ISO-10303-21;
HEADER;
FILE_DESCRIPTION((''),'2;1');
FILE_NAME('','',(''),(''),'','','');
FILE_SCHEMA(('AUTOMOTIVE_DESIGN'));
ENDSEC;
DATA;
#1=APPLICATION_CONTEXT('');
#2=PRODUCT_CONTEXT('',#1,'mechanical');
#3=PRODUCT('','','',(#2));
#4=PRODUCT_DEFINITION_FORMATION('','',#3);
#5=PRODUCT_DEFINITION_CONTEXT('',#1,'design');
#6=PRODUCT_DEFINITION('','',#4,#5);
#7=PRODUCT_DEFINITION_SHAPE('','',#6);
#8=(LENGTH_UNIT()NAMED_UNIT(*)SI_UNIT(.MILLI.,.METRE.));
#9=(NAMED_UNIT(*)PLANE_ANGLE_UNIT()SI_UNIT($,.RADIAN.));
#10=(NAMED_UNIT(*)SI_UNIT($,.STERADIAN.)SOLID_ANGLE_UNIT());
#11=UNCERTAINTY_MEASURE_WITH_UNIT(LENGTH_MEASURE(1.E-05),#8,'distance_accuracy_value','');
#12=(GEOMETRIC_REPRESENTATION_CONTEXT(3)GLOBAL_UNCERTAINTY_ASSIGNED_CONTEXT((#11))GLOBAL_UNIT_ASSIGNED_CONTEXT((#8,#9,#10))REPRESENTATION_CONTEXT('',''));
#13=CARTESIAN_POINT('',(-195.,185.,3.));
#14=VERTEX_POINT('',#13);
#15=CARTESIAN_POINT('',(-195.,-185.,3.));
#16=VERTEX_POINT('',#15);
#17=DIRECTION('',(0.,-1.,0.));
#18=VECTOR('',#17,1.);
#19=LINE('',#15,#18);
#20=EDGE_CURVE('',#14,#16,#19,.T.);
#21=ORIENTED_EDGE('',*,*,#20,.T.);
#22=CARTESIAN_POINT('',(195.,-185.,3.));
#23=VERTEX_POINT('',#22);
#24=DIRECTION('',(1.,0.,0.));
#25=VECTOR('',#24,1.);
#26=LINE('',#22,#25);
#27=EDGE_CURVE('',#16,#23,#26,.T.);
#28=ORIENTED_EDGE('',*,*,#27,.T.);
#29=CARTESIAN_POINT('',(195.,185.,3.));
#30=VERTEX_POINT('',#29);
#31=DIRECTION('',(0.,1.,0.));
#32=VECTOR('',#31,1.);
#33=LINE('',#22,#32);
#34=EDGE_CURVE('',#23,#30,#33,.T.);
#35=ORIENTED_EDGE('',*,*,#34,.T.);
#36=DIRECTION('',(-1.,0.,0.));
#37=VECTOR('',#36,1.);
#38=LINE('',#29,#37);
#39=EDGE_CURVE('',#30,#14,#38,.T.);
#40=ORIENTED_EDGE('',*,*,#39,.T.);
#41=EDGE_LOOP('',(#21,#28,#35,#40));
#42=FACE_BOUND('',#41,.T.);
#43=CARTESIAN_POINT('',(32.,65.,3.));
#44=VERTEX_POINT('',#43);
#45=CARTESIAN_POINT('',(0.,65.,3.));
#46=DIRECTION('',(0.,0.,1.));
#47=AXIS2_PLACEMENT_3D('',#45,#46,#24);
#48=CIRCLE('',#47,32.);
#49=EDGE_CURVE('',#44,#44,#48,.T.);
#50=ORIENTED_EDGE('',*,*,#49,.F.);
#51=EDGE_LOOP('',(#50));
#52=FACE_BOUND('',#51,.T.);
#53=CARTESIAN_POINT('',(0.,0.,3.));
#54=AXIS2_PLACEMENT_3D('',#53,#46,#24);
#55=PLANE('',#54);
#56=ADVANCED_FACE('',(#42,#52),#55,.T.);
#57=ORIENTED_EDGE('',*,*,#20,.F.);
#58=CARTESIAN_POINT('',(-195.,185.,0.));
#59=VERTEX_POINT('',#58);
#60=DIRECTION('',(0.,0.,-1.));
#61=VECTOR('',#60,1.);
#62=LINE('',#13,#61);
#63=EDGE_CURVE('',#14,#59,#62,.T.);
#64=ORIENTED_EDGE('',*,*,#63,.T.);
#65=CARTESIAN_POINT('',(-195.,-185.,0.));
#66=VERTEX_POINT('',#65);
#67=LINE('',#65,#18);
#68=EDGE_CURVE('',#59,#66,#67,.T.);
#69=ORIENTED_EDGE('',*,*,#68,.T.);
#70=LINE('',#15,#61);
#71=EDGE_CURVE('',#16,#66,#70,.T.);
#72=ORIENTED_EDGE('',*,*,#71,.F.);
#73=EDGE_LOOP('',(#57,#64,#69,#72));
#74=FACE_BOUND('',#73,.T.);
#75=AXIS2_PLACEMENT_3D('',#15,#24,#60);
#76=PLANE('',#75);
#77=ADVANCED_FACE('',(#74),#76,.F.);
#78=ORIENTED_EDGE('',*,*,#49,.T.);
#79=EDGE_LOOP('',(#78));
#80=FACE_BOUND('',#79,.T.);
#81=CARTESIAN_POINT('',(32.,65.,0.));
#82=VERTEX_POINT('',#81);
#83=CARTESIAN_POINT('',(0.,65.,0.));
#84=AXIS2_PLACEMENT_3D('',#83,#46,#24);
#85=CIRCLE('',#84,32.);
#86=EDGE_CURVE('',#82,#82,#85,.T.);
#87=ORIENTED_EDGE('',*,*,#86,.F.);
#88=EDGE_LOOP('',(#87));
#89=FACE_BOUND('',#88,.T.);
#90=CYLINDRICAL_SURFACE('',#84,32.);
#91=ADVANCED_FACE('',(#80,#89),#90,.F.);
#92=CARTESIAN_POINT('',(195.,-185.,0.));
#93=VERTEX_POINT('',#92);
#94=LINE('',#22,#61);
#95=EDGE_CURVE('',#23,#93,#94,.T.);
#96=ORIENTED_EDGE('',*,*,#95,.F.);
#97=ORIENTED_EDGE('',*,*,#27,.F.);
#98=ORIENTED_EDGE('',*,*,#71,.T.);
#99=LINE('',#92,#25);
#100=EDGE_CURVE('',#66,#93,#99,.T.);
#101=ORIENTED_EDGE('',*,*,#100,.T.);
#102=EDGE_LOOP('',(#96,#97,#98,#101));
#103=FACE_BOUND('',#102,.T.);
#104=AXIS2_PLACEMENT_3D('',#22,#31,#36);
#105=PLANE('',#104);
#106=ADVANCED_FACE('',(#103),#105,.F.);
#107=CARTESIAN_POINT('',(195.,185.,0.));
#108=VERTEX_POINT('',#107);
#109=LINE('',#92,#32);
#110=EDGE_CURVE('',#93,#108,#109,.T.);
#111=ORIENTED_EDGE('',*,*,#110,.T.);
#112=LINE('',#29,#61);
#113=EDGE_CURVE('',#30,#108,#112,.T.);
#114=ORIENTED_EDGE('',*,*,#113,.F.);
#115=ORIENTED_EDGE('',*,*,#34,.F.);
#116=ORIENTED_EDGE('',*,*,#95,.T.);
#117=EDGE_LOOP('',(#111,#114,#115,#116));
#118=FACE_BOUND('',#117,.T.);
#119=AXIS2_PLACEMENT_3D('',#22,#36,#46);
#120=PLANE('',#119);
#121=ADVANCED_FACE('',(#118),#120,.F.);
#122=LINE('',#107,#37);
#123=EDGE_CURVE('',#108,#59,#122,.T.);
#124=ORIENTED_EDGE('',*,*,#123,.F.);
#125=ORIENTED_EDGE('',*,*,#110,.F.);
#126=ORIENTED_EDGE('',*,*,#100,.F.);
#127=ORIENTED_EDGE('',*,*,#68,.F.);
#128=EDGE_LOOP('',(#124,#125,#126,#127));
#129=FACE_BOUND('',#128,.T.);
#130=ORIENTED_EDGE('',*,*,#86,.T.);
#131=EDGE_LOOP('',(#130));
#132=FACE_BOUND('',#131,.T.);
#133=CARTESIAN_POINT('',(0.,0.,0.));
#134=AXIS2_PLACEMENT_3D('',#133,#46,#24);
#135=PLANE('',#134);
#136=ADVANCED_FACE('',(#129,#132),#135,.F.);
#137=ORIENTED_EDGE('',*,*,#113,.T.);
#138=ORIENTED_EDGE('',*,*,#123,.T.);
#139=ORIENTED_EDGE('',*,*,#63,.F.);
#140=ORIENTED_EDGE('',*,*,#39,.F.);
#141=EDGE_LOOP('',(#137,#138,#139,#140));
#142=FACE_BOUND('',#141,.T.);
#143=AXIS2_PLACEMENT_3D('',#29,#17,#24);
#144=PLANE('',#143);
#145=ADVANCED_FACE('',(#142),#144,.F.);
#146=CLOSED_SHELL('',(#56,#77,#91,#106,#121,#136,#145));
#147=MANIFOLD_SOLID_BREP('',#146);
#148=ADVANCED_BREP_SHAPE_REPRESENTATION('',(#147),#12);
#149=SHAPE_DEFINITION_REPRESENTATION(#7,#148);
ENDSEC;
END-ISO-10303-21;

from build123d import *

# Parameters (mm, degrees)
SKETCH1_W           = 390
SKETCH1_H           = 370
BOSS_EXTRUDE1_DEPTH = 3
SKETCH2_R           = 32
CUT_EXTRUDE1_DEPTH  = 269.810342063


with BuildPart() as part:
    # Sketch1 → Boss-Extrude1 (new body)
    with BuildSketch(Plane.XY):
        Rectangle(SKETCH1_W, SKETCH1_H)
    extrude(amount=BOSS_EXTRUDE1_DEPTH)

    # Sketch2 → Cut-Extrude1 (cut, through all)
    with BuildSketch(Plane.XY.offset(3)):
        with Locations((0, 65)):
            Circle(SKETCH2_R)
    extrude(amount=-CUT_EXTRUDE1_DEPTH, mode=Mode.SUBTRACT)


solid = part.part
